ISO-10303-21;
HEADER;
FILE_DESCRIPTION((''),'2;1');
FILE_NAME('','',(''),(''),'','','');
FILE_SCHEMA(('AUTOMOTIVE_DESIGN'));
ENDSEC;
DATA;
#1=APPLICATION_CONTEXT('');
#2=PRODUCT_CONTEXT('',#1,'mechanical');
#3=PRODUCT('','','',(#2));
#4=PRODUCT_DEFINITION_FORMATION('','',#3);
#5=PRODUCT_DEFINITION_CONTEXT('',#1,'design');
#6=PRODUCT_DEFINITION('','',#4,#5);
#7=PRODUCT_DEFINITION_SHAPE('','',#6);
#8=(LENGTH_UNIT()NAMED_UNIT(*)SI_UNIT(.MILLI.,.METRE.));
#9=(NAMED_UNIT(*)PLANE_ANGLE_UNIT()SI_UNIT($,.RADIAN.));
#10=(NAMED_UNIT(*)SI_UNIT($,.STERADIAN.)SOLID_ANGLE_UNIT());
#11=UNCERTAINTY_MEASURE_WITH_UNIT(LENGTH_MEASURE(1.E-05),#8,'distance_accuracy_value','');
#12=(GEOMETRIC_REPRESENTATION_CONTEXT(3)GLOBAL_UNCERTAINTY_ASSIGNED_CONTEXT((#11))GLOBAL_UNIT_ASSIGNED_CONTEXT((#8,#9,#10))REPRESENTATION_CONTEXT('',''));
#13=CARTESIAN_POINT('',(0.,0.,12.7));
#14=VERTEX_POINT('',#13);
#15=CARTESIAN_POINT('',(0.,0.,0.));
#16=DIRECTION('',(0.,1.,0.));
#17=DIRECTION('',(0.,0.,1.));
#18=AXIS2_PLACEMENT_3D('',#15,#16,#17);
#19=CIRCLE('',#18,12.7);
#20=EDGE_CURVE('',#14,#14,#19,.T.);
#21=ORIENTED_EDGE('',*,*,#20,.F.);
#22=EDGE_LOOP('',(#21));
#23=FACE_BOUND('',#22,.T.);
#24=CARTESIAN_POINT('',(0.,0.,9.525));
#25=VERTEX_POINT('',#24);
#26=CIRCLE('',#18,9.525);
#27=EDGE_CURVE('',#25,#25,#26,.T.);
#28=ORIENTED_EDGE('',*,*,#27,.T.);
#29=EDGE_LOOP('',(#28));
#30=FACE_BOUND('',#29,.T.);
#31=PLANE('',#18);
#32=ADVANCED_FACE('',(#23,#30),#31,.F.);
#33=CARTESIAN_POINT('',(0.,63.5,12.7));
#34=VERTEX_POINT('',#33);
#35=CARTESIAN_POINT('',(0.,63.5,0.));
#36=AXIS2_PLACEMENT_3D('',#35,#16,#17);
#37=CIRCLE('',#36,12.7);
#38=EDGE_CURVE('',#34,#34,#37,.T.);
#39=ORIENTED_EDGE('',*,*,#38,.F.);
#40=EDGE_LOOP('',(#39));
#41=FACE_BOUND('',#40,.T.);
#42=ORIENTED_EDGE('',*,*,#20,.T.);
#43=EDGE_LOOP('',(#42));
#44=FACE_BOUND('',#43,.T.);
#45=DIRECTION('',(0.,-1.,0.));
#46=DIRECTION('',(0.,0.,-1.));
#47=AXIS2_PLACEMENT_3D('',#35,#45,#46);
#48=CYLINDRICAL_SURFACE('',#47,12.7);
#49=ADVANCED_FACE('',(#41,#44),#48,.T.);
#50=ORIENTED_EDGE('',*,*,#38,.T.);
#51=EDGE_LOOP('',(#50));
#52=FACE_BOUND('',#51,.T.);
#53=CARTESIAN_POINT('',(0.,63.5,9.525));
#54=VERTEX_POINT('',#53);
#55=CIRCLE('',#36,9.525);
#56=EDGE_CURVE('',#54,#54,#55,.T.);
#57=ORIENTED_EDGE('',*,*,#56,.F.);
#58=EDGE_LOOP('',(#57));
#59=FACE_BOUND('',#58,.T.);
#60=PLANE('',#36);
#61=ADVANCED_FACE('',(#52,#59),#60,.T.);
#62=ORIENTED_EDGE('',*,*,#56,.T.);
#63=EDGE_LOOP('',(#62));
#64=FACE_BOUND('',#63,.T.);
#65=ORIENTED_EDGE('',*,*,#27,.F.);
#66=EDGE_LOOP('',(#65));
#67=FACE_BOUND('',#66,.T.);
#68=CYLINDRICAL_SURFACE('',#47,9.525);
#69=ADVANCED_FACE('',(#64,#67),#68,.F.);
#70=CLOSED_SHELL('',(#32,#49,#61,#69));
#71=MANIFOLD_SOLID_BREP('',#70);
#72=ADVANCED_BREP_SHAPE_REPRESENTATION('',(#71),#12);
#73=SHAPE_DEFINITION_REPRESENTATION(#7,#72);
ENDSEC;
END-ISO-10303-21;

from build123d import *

# Parameters (mm, degrees)
SKETCH1_R           = 12.7
SKETCH1_R_2         = 9.525
BOSS_EXTRUDE1_DEPTH = 63.5


with BuildPart() as part:
    # Sketch1 → Boss-Extrude1 (new body)
    with BuildSketch(Plane(origin=(0, 0, 0), x_dir=(1, 0, 0), z_dir=(0, 1, 0))):
        Circle(SKETCH1_R)
        Circle(SKETCH1_R_2, mode=Mode.SUBTRACT)
    extrude(amount=BOSS_EXTRUDE1_DEPTH)


solid = part.part
